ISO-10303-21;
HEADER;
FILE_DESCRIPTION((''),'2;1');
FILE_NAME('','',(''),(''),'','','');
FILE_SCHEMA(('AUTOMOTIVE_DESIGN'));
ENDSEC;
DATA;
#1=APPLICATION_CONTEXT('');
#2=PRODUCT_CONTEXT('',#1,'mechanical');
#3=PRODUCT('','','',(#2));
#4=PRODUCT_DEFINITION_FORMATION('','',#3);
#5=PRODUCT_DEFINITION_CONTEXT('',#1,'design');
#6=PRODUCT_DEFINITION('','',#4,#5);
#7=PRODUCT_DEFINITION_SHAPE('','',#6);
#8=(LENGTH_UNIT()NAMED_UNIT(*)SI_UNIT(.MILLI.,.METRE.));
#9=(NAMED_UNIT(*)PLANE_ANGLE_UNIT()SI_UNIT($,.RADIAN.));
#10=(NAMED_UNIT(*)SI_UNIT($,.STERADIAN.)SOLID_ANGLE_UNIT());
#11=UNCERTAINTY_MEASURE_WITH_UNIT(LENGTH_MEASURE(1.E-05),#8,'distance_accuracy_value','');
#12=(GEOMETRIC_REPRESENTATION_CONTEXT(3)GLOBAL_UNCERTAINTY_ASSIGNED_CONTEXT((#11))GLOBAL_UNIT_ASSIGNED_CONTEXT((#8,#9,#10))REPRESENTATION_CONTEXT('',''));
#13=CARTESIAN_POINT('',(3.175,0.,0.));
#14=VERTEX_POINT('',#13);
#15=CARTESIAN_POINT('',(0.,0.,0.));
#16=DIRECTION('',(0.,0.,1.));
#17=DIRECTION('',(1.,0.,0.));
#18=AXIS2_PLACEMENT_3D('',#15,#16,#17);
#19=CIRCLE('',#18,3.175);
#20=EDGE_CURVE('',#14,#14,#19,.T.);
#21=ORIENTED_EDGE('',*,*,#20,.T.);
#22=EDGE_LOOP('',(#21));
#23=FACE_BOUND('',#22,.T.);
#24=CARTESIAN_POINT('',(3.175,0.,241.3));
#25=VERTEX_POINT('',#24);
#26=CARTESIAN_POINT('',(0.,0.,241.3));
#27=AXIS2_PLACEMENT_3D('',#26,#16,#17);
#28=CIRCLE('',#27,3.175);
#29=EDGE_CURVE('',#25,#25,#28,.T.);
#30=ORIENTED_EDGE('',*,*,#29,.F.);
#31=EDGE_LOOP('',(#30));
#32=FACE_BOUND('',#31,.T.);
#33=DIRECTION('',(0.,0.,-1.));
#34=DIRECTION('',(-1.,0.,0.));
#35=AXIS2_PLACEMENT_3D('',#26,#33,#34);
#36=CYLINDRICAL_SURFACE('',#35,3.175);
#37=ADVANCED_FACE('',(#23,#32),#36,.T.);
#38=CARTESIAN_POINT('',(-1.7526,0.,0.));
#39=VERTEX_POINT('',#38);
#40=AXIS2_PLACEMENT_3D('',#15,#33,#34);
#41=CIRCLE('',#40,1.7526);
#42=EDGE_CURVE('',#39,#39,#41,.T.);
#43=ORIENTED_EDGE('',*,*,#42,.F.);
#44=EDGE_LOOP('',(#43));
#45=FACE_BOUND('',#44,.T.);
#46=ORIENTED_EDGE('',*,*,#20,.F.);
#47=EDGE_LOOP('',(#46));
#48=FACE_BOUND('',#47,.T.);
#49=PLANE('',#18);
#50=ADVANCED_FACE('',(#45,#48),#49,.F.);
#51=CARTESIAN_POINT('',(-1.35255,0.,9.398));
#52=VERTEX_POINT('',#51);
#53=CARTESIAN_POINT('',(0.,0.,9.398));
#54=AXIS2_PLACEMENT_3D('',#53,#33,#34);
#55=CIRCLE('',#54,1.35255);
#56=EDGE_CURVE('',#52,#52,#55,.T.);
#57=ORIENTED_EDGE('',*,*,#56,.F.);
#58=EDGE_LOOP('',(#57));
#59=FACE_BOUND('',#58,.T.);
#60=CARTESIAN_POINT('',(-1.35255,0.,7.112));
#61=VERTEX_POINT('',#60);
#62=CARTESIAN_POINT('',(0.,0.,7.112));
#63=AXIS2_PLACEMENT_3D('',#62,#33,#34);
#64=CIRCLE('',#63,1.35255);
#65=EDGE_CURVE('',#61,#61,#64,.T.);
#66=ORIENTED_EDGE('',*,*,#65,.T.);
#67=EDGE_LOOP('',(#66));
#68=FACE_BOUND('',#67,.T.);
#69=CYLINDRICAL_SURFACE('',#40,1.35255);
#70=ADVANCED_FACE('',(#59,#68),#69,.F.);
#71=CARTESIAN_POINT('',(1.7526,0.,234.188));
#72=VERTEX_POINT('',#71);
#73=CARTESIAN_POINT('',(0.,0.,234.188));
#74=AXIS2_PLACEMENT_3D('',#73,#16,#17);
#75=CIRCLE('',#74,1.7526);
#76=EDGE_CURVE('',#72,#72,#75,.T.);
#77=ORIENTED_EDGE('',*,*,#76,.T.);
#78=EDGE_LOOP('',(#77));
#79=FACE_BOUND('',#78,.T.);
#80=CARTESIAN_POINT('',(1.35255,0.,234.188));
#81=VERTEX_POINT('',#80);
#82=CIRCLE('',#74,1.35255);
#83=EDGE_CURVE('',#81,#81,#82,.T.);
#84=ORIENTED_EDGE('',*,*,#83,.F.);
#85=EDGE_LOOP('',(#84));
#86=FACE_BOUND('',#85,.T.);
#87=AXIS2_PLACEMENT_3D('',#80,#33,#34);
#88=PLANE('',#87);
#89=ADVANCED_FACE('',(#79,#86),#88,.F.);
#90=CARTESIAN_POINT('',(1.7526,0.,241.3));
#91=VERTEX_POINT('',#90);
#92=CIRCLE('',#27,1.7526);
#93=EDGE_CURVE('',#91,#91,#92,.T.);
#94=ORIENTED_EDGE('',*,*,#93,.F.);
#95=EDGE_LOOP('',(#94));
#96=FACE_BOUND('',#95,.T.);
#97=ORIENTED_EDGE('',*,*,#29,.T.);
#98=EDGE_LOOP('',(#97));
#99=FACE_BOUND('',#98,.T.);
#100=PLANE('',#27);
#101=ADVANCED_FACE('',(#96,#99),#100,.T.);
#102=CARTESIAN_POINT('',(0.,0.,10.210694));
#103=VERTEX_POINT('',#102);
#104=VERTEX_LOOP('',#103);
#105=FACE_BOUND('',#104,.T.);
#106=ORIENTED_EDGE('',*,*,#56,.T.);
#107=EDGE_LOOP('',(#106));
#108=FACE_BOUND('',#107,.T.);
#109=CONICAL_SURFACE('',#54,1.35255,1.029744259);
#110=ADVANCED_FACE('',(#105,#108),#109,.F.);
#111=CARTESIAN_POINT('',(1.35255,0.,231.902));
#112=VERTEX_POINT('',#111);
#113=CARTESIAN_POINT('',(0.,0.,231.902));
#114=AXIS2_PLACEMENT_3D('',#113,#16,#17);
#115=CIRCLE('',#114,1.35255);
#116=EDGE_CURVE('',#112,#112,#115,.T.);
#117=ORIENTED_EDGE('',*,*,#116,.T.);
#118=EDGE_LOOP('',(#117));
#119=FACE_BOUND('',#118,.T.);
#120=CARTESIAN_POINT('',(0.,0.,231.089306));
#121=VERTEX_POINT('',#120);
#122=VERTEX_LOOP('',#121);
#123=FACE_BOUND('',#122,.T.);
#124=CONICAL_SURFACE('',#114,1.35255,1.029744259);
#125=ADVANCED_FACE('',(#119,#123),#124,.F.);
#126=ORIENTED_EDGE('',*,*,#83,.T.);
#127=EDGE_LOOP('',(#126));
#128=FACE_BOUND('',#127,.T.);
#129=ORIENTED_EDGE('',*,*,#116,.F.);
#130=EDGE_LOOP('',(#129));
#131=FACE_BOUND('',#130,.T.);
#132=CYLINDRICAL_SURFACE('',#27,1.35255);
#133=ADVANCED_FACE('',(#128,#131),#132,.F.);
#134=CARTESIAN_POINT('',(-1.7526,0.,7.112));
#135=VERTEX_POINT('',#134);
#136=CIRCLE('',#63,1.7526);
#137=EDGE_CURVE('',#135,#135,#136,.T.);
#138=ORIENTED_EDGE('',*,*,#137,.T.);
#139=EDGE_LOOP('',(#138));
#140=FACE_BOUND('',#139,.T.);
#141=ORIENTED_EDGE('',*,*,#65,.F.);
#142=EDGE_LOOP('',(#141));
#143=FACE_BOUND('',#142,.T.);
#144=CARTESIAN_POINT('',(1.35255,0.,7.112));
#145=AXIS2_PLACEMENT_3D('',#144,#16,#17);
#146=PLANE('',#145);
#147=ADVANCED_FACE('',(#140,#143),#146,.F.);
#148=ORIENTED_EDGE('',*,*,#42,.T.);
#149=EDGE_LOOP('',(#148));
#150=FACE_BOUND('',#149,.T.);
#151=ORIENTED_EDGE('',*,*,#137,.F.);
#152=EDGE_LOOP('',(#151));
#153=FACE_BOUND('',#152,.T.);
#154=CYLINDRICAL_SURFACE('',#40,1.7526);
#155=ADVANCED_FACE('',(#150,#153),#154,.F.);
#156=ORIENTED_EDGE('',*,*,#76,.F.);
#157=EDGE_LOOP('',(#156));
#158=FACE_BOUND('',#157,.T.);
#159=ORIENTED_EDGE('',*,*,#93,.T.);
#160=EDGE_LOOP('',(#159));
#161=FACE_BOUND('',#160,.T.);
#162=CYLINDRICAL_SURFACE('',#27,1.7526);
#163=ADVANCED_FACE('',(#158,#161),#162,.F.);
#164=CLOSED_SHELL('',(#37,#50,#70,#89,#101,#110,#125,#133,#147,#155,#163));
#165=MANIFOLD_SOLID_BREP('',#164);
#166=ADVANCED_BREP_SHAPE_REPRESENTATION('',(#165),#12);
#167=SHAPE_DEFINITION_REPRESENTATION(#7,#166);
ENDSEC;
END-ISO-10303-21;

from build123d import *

# Parameters (mm, degrees)
SKETCH1_R                       = 3.175
BOSS_EXTRUDE1_DEPTH             = 241.3
F_6_32_TAPPED_HOLE1_D           = 2.7051
F_6_32_TAPPED_HOLE1_DEPTH       = 9.398
F_6_32_TAPPED_HOLE1_CBORE_D     = 3.5052
F_6_32_TAPPED_HOLE1_CBORE_DEPTH = 7.112
F_6_32_TAPPED_HOLE1_TIP         = 0.81269403
F_6_32_TAPPED_HOLE2_D           = 2.7051
F_6_32_TAPPED_HOLE2_DEPTH       = 9.398
F_6_32_TAPPED_HOLE2_CBORE_D     = 3.5052
F_6_32_TAPPED_HOLE2_CBORE_DEPTH = 7.112
F_6_32_TAPPED_HOLE2_TIP         = 0.81269403


with BuildPart() as part:
    # Sketch1 → Boss-Extrude1 (new body)
    with BuildSketch(Plane.XY):
        Circle(SKETCH1_R)
    extrude(amount=BOSS_EXTRUDE1_DEPTH)

    # #6-32 Tapped Hole1
    with Locations(Plane.XY.offset(241.3)):
        with Locations((0, 0)):
            CounterBoreHole(F_6_32_TAPPED_HOLE1_D / 2, F_6_32_TAPPED_HOLE1_CBORE_D / 2, F_6_32_TAPPED_HOLE1_CBORE_DEPTH, depth=F_6_32_TAPPED_HOLE1_DEPTH)
            with Locations((0, 0, -(F_6_32_TAPPED_HOLE1_DEPTH + F_6_32_TAPPED_HOLE1_TIP / 2))):  # 118° drill point
                Cone(0, F_6_32_TAPPED_HOLE1_D / 2, F_6_32_TAPPED_HOLE1_TIP, mode=Mode.SUBTRACT)

    # #6-32 Tapped Hole2
    with Locations(Plane(origin=(0, 0, 0), x_dir=(-1, 0, 0), z_dir=(0, 0, -1))):
        with Locations((0, 0)):
            CounterBoreHole(F_6_32_TAPPED_HOLE2_D / 2, F_6_32_TAPPED_HOLE2_CBORE_D / 2, F_6_32_TAPPED_HOLE2_CBORE_DEPTH, depth=F_6_32_TAPPED_HOLE2_DEPTH)
            with Locations((0, 0, -(F_6_32_TAPPED_HOLE2_DEPTH + F_6_32_TAPPED_HOLE2_TIP / 2))):  # 118° drill point
                Cone(0, F_6_32_TAPPED_HOLE2_D / 2, F_6_32_TAPPED_HOLE2_TIP, mode=Mode.SUBTRACT)


solid = part.part
